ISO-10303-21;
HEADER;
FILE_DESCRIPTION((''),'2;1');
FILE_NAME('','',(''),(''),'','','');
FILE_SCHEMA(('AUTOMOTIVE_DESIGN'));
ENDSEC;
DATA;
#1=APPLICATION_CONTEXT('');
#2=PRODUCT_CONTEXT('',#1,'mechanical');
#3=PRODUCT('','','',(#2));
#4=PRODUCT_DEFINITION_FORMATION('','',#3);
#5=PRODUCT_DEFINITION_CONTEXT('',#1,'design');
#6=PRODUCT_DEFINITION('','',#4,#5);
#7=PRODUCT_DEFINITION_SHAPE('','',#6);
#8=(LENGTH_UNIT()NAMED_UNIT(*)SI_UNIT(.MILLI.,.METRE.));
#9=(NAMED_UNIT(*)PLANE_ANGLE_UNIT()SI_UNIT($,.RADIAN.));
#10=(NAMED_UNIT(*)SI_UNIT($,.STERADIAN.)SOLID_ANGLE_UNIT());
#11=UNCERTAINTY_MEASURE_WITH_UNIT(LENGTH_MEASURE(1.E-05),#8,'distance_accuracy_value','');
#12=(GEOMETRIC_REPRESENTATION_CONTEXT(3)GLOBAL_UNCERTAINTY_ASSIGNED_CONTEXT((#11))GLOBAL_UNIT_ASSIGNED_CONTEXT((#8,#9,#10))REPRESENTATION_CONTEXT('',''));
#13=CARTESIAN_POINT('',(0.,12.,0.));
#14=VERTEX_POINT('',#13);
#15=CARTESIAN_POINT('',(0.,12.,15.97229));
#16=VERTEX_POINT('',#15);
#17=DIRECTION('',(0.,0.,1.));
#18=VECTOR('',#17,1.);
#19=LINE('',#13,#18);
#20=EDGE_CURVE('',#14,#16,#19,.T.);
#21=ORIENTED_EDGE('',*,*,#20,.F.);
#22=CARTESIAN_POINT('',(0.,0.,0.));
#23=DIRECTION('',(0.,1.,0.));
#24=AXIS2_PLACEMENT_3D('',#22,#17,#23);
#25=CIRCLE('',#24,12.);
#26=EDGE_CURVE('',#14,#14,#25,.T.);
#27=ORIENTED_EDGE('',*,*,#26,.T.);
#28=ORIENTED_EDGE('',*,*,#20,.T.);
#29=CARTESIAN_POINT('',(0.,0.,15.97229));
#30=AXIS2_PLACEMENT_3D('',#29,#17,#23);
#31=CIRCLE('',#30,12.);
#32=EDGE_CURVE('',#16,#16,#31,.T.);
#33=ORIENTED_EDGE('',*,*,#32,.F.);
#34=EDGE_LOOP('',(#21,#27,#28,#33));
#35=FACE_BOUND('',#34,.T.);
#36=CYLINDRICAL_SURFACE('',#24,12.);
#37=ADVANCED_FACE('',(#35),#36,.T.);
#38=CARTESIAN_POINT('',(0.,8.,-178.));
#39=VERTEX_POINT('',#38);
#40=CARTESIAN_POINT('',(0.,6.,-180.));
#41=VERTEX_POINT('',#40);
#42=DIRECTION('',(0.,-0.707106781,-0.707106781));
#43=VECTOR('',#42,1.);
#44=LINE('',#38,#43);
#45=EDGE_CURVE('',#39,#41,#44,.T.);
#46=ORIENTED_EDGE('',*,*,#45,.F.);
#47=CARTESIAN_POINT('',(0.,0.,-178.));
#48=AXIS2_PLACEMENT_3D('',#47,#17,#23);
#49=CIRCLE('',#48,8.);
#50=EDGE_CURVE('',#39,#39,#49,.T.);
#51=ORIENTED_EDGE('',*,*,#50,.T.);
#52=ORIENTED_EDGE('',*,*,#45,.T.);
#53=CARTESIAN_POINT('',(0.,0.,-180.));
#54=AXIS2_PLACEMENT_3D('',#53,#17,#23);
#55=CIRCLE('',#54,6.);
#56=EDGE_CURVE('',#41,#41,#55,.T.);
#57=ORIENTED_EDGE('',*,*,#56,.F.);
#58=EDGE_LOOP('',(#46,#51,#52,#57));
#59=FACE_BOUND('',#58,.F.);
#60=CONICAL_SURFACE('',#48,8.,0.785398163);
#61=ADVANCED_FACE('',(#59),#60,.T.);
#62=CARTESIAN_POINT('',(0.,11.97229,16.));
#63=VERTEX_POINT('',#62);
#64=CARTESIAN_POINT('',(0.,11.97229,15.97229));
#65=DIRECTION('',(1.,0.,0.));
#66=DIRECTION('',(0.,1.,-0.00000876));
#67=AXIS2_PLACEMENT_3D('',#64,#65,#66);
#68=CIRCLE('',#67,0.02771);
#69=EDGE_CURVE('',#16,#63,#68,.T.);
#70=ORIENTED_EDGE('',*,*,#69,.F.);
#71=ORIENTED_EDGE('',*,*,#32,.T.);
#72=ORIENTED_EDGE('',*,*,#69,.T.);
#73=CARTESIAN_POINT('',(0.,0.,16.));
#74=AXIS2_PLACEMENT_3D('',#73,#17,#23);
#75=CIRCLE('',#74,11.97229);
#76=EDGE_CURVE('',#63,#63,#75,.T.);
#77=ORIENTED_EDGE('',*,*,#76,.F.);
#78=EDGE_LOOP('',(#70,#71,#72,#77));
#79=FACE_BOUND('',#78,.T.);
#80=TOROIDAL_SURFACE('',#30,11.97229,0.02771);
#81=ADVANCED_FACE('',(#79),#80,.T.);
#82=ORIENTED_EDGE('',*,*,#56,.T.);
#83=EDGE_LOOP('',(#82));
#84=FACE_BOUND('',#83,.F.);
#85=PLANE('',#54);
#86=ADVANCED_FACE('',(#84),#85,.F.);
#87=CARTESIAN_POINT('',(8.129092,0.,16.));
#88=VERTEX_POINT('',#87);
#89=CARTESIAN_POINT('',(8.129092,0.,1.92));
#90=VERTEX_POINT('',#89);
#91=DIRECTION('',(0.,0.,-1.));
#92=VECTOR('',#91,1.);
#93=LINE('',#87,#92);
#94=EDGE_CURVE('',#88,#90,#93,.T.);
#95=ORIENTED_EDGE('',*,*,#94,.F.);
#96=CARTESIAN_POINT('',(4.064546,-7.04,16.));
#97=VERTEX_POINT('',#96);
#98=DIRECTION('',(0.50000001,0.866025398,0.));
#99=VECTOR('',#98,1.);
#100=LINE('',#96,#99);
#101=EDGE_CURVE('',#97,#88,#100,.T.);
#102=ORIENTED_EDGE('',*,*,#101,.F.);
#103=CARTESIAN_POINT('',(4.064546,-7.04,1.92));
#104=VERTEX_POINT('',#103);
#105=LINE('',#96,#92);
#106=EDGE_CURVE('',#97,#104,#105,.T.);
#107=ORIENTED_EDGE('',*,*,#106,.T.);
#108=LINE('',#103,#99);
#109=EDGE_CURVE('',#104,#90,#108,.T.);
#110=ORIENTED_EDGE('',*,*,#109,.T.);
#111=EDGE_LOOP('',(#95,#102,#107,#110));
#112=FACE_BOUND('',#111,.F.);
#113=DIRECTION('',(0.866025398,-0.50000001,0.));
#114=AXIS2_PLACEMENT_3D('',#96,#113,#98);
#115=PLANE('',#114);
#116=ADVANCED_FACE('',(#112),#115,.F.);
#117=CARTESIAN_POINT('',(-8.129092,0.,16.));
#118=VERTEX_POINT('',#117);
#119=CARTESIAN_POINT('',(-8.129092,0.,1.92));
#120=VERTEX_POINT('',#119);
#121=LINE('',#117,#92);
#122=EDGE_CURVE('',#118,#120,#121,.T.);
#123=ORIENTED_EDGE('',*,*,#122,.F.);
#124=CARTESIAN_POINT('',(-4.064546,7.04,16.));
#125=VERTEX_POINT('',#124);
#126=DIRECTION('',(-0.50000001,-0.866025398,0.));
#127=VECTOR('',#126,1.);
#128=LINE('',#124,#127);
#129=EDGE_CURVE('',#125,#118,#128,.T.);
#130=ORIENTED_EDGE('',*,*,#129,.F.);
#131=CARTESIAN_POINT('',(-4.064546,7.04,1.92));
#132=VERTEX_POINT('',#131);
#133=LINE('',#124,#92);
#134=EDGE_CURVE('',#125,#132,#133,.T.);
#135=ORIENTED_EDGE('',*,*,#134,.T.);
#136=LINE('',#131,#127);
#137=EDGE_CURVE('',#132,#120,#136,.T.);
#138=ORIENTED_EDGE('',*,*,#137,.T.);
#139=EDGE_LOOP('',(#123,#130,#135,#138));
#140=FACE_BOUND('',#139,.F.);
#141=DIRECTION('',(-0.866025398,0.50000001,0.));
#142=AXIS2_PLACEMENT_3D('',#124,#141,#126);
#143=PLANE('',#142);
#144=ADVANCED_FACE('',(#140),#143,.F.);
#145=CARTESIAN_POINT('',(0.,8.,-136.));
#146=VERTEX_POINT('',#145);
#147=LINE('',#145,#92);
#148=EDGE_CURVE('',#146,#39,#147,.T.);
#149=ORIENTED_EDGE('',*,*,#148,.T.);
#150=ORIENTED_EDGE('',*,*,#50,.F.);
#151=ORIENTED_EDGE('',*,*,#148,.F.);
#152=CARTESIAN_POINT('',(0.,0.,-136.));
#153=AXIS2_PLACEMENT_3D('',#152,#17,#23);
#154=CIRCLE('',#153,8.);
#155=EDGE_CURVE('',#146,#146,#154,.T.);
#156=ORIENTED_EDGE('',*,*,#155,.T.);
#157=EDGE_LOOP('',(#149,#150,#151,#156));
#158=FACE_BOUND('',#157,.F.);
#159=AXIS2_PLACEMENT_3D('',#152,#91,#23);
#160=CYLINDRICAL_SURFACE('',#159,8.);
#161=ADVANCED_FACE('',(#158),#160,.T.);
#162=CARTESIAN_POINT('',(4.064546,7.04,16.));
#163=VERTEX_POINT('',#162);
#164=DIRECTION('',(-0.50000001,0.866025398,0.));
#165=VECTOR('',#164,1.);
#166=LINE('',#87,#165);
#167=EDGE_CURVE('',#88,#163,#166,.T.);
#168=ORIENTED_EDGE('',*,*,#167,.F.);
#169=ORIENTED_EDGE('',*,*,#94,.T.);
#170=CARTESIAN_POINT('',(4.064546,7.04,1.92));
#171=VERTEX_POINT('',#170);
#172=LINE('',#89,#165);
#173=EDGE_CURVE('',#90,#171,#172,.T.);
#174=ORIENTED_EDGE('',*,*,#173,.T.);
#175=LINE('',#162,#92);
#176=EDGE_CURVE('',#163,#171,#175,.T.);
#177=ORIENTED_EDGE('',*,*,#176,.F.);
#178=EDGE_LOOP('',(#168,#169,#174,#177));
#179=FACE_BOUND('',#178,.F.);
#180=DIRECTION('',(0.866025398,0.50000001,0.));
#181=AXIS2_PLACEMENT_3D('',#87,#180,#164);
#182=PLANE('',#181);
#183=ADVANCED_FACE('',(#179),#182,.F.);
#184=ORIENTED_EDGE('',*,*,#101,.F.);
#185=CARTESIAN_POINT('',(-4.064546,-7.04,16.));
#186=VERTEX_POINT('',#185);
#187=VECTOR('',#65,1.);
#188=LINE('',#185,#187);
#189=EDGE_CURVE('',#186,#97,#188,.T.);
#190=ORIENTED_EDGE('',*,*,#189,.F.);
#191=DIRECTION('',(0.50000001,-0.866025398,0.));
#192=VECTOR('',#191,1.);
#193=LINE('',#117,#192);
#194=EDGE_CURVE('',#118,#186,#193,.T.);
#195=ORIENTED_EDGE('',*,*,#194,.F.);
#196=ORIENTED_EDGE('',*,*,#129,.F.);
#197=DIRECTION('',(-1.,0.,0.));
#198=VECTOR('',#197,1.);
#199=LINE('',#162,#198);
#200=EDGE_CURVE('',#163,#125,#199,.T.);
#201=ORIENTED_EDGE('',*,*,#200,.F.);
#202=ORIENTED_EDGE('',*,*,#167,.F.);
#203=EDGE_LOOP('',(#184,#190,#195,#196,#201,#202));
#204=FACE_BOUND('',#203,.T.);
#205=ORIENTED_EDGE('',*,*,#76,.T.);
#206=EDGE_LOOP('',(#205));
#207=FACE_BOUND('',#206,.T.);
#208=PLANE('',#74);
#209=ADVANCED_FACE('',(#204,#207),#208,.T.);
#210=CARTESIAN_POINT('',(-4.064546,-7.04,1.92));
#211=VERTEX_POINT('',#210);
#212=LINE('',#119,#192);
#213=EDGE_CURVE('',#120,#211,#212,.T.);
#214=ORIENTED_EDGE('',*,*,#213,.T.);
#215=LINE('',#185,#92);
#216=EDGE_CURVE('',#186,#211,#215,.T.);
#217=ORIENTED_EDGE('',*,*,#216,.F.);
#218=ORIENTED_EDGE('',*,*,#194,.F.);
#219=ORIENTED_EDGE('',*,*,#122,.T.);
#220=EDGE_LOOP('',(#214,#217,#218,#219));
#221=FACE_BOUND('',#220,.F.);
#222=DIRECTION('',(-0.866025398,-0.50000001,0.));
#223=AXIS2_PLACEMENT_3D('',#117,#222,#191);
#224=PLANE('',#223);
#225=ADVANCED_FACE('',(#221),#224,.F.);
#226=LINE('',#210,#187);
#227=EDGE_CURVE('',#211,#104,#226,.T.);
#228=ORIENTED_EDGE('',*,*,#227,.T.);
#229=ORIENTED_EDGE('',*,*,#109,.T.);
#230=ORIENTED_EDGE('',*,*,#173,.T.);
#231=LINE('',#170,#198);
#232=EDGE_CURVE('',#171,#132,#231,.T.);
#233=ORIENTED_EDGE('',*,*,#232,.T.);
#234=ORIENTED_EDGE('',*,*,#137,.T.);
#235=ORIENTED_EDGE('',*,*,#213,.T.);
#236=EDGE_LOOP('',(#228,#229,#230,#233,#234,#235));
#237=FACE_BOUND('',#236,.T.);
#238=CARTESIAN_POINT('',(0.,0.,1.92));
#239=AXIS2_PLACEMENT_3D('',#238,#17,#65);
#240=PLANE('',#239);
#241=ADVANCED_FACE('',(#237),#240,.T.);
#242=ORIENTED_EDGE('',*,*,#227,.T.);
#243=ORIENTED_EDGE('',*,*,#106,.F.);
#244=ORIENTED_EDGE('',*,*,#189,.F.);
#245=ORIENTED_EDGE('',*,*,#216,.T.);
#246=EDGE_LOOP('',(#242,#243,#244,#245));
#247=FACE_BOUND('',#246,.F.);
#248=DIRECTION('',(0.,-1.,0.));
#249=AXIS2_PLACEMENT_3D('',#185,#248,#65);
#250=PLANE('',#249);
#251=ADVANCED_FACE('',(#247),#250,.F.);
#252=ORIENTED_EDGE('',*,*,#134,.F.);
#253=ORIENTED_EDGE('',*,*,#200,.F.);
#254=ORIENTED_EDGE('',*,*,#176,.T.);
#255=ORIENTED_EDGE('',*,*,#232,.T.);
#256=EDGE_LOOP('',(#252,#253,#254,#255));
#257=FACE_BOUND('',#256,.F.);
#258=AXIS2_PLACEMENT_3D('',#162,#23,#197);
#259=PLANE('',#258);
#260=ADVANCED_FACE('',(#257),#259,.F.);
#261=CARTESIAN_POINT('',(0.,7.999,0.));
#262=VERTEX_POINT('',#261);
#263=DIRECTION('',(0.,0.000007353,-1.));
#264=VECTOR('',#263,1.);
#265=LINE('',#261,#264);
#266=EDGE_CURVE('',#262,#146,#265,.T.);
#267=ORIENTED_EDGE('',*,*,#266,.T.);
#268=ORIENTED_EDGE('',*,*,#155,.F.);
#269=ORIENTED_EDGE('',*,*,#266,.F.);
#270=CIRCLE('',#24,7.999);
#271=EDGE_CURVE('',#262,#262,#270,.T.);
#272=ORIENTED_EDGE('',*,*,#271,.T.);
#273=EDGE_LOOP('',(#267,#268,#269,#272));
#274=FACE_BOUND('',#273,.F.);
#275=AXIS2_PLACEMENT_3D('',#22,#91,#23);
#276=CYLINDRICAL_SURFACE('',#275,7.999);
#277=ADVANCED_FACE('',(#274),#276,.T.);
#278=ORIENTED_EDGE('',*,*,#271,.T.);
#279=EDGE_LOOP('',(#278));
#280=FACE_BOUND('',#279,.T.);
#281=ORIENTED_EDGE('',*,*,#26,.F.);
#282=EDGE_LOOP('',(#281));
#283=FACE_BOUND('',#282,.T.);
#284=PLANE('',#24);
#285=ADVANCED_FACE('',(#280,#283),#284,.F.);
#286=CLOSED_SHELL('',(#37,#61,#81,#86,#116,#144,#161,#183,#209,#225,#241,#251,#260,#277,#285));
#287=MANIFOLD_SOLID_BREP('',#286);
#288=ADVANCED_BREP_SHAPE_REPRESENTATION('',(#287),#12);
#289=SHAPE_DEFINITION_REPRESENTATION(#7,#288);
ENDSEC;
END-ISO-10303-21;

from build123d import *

# Parameters (mm, degrees)
POCKET_DEPTH = 14.08


with BuildPart() as part:
    # Sketch → Revolve (revolve)
    with BuildSketch(Plane.YZ):
        with BuildLine():
            Line((7.999, 0), (12, 0))
            Line((12, 0), (12, 15.97229))
            ThreePointArc((12, 15.97229), (11.991884, 15.991884), (11.97229, 16))
            Line((11.97229, 16), (0, 16))
            Line((0, -180), (0, 16))
            Line((6, -180), (0, -180))
            Line((8, -178), (6, -180))
            Line((8, -136), (8, -178))
            Line((7.999, 0), (8, -136))
        make_face()
    revolve(axis=Axis((0, 0, 0), (0, 0, 1)))

    # Sketch001 → Pocket (cut)
    with BuildSketch(Plane.XY.offset(16)):
        Polygon((8.129092, 0), (4.064546, 7.04), (-4.064546, 7.04), (-8.129092, 0), (-4.064546, -7.04), (4.064546, -7.04), align=None)
    extrude(amount=-POCKET_DEPTH, mode=Mode.SUBTRACT)


solid = part.part
